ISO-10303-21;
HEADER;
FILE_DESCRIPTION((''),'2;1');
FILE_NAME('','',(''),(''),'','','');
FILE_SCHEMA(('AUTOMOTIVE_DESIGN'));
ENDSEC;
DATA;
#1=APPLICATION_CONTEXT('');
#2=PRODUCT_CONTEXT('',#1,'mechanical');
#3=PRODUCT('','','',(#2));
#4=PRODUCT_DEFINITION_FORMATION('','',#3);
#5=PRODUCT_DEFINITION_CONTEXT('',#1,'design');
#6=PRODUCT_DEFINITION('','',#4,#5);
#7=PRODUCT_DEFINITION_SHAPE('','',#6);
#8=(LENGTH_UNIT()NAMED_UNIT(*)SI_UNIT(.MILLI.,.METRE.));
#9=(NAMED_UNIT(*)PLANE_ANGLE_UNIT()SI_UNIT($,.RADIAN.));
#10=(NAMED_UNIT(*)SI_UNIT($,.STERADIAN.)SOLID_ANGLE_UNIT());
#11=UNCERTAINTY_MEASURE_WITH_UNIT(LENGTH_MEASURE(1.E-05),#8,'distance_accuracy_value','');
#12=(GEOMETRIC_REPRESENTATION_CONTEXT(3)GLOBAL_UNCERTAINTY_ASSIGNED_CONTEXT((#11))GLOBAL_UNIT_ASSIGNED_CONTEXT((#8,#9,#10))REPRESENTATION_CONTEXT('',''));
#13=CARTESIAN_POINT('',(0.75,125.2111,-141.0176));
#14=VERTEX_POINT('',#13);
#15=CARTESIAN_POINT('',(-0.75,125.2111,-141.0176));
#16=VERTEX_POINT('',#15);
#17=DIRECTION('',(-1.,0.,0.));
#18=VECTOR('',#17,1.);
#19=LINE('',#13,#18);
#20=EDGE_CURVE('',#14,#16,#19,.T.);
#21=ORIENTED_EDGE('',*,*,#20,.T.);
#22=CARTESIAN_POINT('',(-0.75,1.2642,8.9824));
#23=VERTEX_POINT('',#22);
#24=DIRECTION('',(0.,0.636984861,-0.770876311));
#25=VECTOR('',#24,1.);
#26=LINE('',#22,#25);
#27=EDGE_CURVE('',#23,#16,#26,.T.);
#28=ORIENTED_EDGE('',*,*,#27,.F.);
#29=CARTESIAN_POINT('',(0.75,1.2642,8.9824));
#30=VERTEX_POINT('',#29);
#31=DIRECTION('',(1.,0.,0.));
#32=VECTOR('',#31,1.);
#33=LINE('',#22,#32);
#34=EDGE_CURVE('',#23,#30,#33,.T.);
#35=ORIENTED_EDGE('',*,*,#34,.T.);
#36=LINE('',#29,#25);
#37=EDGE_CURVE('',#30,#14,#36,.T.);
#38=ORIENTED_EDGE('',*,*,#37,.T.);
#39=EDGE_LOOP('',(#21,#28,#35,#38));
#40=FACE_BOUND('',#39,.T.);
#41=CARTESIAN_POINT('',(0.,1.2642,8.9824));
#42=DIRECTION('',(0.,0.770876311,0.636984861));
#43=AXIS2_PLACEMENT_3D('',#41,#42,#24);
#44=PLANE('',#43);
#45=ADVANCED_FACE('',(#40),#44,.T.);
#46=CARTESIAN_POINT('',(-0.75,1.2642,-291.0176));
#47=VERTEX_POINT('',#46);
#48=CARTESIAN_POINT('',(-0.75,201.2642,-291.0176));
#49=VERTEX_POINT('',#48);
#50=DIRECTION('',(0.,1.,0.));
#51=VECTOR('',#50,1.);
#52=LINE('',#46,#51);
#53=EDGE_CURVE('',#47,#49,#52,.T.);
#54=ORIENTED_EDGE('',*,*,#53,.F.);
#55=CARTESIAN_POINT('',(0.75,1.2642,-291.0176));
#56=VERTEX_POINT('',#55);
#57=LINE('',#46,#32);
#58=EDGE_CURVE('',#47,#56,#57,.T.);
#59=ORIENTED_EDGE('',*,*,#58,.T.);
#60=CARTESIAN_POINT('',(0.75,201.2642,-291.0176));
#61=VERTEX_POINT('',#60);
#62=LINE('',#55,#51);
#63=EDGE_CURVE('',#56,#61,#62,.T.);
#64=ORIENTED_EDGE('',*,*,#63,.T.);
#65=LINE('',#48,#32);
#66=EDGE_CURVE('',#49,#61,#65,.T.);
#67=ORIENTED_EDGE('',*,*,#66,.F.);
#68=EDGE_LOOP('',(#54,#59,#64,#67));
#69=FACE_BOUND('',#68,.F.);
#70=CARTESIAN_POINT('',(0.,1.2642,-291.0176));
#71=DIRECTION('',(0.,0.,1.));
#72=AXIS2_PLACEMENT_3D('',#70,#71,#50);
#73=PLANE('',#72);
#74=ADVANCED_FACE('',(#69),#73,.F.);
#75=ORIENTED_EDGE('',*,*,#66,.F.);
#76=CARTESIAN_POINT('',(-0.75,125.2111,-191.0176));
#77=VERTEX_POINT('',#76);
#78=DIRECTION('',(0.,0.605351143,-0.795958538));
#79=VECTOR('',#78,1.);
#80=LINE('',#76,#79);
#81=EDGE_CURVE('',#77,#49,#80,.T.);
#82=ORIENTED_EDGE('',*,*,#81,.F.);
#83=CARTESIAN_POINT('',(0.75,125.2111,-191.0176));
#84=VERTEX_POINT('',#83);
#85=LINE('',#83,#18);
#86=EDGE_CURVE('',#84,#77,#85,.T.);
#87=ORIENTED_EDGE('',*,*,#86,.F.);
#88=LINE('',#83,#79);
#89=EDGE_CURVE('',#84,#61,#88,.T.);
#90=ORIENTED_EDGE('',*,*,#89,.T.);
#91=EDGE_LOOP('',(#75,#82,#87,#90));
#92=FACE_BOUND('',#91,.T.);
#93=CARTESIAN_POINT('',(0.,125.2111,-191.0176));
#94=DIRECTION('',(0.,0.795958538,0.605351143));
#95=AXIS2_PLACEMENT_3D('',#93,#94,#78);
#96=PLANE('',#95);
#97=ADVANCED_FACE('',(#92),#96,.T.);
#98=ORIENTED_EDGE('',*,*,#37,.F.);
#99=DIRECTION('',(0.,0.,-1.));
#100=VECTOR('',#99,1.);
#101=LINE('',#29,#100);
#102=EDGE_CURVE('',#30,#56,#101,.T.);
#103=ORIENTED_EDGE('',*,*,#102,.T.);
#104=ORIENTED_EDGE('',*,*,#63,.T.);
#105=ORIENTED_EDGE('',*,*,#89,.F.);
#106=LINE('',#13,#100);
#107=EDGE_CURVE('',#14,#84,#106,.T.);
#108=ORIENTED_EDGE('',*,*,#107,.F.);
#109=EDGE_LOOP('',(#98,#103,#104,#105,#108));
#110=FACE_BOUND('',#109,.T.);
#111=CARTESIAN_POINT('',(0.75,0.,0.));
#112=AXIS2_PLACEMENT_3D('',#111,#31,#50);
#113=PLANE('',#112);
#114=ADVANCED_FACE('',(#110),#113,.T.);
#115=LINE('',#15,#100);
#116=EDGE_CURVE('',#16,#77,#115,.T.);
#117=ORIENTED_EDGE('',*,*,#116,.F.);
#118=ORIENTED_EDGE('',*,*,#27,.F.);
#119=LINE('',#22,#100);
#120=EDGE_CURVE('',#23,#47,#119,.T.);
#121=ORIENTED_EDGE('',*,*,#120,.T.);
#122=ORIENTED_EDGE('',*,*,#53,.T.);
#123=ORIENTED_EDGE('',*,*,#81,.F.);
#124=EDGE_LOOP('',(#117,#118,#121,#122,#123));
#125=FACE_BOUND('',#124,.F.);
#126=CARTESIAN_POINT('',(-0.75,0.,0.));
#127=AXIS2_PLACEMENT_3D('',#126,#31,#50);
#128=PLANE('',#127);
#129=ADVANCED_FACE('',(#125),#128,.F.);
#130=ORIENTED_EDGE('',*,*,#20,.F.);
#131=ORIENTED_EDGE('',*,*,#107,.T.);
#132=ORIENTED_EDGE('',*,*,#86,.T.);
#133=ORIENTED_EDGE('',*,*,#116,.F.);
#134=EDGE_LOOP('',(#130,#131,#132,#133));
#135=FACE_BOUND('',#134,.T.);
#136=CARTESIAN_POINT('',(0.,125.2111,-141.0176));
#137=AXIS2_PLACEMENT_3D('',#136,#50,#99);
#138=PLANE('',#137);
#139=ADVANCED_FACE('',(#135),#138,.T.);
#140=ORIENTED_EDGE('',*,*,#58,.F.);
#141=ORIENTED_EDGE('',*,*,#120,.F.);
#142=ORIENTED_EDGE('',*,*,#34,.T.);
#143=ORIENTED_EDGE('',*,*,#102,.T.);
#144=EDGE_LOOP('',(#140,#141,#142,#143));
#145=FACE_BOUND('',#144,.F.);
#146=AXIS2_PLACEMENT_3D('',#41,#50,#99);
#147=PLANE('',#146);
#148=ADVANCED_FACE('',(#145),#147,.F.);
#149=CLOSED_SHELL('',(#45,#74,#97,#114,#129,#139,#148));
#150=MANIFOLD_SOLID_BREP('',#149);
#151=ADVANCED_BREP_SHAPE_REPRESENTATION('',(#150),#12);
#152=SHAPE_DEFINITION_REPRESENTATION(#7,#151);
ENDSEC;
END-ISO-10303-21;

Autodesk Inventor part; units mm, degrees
ref_plane "YZ Plane" through (0, 0, 0) normal (1, 0, 0) x (0, 1, 0)
ref_plane "XZ Plane" through (0, 0, 0) normal (0, 1, 0) x (-1, 0, 0)
ref_plane "XY Plane" through (0, 0, 0) normal (0, 0, 1) x (1, 0, 0)
sketch "Boceto1" plane through (0, 0, 0) normal (1, 0, 0) x (0, 1, 0)
  line L0 (1.2642, 8.9824) -> (1.2642, -291.0176)
  line L1 (1.2642, -291.0176) -> (201.2642, -291.0176)
  line L2 (1.2642, 8.9824) -> (125.2111, -141.0176)
  line L3 (125.2111, -141.0176) -> (125.2111, -191.0176)
  line L4 (125.2111, -191.0176) -> (201.2642, -291.0176)
  point P0 (0, 0)
  dimension "d0" = 300
  dimension "d1" = 200
  dimension "d4" = 50
extrude "Extrusión1" add sketch "Boceto1" along normal mid plane 1.5
properties part number "parte lateral"
